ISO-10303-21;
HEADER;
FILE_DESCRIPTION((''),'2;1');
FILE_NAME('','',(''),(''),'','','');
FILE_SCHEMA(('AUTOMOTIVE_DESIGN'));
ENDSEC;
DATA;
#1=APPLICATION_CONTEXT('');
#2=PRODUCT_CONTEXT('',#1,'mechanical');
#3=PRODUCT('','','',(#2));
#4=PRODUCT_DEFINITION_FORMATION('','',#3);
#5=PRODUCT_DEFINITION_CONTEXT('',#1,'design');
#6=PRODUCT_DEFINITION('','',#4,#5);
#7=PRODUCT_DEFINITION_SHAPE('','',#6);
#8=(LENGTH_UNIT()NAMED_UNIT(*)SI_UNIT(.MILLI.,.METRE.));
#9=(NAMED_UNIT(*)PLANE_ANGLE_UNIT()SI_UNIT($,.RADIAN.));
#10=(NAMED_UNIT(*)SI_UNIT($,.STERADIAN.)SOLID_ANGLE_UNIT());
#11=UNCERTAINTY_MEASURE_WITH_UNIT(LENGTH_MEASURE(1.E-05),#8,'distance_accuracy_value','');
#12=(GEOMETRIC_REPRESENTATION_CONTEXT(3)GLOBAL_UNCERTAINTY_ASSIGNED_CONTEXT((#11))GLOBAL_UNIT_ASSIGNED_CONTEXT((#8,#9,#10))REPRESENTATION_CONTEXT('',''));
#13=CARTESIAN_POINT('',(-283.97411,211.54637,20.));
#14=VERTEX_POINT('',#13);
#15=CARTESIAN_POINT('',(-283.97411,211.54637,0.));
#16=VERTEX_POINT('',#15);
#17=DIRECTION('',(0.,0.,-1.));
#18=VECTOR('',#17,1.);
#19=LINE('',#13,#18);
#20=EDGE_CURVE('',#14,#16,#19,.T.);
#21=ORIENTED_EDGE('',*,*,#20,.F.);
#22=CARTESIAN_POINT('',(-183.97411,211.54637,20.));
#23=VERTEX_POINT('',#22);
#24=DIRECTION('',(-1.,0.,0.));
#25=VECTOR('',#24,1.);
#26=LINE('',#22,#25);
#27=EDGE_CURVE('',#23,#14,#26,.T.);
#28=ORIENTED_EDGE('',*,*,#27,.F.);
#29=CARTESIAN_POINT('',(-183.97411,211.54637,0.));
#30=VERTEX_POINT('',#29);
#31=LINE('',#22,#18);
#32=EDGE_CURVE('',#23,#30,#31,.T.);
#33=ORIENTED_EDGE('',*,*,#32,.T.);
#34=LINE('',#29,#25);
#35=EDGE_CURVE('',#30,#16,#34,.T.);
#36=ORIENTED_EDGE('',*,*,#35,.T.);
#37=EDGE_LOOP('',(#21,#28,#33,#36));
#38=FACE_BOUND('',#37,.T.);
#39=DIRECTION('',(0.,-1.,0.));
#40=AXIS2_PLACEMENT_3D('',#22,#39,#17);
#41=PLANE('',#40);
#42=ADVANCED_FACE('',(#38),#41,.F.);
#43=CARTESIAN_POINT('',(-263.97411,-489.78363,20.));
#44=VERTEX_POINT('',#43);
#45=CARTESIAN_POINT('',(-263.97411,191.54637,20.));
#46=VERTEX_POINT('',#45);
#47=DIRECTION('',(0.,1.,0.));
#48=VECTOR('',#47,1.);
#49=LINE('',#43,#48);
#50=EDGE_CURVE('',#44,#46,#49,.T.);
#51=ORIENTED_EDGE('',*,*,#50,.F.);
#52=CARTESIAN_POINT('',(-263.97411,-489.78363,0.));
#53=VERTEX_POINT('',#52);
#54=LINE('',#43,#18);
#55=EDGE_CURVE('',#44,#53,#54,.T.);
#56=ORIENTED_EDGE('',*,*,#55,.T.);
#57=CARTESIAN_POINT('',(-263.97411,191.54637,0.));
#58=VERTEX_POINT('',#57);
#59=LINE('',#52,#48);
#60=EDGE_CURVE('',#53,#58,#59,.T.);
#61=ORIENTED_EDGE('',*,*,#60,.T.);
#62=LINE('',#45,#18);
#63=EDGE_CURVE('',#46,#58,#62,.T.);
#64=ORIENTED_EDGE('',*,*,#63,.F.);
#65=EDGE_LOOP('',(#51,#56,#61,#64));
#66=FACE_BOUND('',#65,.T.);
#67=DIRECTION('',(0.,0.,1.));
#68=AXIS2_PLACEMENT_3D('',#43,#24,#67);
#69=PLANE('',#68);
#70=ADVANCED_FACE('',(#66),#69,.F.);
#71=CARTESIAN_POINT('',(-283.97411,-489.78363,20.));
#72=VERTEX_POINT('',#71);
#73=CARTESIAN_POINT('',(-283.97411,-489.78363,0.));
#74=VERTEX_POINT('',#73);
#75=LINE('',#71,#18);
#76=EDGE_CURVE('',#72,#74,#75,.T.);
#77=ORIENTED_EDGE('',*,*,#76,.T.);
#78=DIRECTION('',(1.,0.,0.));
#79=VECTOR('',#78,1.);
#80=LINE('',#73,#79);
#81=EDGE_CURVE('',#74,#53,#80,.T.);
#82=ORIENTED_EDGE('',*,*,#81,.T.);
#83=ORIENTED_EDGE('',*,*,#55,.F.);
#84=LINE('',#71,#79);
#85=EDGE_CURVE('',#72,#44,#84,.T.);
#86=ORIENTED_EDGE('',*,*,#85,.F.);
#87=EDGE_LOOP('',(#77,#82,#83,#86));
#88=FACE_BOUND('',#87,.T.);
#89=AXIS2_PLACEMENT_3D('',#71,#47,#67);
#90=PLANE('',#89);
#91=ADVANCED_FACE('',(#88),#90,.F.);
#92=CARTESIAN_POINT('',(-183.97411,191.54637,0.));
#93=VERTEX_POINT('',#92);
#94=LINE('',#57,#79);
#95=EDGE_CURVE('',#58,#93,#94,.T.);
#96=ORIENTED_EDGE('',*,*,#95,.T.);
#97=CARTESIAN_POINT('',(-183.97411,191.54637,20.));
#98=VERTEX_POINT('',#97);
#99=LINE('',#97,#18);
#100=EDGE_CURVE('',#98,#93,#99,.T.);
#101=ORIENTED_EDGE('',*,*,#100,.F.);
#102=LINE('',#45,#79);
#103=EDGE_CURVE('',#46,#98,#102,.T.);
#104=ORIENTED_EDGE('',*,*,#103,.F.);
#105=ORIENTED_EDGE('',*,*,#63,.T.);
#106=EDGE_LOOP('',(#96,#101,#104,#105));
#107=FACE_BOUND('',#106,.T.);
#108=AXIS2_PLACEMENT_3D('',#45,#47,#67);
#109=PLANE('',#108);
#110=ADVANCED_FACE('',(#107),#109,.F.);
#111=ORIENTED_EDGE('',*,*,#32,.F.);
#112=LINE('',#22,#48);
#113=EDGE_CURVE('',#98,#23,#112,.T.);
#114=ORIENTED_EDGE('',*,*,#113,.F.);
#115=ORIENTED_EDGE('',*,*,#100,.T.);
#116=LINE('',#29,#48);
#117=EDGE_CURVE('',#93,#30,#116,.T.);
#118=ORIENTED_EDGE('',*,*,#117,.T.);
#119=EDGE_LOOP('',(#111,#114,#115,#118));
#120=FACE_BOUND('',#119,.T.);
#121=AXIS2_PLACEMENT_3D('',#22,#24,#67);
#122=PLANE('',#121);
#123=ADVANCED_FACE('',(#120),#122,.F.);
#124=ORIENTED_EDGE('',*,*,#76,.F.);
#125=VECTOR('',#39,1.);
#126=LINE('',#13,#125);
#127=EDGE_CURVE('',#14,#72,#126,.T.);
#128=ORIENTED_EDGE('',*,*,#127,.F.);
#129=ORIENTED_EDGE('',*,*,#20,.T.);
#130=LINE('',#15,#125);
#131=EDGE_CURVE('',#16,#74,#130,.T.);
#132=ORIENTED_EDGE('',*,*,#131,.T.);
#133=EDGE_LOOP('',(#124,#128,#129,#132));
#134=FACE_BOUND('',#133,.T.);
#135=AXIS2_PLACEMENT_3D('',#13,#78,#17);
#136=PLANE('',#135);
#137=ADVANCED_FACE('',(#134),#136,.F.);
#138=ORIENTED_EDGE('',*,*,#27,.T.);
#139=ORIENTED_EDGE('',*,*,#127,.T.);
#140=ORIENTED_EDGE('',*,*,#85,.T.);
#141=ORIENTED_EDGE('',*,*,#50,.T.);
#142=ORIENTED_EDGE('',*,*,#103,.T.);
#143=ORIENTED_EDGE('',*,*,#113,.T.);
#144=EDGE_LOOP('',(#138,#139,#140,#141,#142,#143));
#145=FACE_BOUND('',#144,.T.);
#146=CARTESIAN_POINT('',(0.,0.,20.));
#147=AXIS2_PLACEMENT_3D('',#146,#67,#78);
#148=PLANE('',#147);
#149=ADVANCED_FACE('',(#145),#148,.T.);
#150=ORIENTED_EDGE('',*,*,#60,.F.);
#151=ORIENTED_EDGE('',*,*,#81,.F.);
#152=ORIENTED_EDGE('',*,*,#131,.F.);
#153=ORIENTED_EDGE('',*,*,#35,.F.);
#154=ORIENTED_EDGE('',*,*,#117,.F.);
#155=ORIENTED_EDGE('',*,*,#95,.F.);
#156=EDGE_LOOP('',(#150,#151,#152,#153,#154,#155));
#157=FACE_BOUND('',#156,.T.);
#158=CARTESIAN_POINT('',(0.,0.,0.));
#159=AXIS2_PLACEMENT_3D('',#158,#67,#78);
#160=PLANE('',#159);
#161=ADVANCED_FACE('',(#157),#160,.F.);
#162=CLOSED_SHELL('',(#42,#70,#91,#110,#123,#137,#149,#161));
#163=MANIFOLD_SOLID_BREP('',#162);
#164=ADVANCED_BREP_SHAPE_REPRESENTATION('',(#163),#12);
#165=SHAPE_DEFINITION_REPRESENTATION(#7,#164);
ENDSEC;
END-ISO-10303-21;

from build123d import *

# Parameters (mm, degrees)
BOSS_EXTRUDE1_DEPTH = 20


with BuildPart() as part:
    # Sketch1 → Boss-Extrude1 (new body)
    with BuildSketch(Plane.XY):
        Polygon((-183.974110429, 211.546370143), (-283.974110429, 211.546370143), (-283.974110429, -489.783629857), (-263.974110429, -489.783629857), (-263.974110429, 191.546370143), (-183.974110429, 191.546370143), align=None)
    extrude(amount=BOSS_EXTRUDE1_DEPTH)


solid = part.part
